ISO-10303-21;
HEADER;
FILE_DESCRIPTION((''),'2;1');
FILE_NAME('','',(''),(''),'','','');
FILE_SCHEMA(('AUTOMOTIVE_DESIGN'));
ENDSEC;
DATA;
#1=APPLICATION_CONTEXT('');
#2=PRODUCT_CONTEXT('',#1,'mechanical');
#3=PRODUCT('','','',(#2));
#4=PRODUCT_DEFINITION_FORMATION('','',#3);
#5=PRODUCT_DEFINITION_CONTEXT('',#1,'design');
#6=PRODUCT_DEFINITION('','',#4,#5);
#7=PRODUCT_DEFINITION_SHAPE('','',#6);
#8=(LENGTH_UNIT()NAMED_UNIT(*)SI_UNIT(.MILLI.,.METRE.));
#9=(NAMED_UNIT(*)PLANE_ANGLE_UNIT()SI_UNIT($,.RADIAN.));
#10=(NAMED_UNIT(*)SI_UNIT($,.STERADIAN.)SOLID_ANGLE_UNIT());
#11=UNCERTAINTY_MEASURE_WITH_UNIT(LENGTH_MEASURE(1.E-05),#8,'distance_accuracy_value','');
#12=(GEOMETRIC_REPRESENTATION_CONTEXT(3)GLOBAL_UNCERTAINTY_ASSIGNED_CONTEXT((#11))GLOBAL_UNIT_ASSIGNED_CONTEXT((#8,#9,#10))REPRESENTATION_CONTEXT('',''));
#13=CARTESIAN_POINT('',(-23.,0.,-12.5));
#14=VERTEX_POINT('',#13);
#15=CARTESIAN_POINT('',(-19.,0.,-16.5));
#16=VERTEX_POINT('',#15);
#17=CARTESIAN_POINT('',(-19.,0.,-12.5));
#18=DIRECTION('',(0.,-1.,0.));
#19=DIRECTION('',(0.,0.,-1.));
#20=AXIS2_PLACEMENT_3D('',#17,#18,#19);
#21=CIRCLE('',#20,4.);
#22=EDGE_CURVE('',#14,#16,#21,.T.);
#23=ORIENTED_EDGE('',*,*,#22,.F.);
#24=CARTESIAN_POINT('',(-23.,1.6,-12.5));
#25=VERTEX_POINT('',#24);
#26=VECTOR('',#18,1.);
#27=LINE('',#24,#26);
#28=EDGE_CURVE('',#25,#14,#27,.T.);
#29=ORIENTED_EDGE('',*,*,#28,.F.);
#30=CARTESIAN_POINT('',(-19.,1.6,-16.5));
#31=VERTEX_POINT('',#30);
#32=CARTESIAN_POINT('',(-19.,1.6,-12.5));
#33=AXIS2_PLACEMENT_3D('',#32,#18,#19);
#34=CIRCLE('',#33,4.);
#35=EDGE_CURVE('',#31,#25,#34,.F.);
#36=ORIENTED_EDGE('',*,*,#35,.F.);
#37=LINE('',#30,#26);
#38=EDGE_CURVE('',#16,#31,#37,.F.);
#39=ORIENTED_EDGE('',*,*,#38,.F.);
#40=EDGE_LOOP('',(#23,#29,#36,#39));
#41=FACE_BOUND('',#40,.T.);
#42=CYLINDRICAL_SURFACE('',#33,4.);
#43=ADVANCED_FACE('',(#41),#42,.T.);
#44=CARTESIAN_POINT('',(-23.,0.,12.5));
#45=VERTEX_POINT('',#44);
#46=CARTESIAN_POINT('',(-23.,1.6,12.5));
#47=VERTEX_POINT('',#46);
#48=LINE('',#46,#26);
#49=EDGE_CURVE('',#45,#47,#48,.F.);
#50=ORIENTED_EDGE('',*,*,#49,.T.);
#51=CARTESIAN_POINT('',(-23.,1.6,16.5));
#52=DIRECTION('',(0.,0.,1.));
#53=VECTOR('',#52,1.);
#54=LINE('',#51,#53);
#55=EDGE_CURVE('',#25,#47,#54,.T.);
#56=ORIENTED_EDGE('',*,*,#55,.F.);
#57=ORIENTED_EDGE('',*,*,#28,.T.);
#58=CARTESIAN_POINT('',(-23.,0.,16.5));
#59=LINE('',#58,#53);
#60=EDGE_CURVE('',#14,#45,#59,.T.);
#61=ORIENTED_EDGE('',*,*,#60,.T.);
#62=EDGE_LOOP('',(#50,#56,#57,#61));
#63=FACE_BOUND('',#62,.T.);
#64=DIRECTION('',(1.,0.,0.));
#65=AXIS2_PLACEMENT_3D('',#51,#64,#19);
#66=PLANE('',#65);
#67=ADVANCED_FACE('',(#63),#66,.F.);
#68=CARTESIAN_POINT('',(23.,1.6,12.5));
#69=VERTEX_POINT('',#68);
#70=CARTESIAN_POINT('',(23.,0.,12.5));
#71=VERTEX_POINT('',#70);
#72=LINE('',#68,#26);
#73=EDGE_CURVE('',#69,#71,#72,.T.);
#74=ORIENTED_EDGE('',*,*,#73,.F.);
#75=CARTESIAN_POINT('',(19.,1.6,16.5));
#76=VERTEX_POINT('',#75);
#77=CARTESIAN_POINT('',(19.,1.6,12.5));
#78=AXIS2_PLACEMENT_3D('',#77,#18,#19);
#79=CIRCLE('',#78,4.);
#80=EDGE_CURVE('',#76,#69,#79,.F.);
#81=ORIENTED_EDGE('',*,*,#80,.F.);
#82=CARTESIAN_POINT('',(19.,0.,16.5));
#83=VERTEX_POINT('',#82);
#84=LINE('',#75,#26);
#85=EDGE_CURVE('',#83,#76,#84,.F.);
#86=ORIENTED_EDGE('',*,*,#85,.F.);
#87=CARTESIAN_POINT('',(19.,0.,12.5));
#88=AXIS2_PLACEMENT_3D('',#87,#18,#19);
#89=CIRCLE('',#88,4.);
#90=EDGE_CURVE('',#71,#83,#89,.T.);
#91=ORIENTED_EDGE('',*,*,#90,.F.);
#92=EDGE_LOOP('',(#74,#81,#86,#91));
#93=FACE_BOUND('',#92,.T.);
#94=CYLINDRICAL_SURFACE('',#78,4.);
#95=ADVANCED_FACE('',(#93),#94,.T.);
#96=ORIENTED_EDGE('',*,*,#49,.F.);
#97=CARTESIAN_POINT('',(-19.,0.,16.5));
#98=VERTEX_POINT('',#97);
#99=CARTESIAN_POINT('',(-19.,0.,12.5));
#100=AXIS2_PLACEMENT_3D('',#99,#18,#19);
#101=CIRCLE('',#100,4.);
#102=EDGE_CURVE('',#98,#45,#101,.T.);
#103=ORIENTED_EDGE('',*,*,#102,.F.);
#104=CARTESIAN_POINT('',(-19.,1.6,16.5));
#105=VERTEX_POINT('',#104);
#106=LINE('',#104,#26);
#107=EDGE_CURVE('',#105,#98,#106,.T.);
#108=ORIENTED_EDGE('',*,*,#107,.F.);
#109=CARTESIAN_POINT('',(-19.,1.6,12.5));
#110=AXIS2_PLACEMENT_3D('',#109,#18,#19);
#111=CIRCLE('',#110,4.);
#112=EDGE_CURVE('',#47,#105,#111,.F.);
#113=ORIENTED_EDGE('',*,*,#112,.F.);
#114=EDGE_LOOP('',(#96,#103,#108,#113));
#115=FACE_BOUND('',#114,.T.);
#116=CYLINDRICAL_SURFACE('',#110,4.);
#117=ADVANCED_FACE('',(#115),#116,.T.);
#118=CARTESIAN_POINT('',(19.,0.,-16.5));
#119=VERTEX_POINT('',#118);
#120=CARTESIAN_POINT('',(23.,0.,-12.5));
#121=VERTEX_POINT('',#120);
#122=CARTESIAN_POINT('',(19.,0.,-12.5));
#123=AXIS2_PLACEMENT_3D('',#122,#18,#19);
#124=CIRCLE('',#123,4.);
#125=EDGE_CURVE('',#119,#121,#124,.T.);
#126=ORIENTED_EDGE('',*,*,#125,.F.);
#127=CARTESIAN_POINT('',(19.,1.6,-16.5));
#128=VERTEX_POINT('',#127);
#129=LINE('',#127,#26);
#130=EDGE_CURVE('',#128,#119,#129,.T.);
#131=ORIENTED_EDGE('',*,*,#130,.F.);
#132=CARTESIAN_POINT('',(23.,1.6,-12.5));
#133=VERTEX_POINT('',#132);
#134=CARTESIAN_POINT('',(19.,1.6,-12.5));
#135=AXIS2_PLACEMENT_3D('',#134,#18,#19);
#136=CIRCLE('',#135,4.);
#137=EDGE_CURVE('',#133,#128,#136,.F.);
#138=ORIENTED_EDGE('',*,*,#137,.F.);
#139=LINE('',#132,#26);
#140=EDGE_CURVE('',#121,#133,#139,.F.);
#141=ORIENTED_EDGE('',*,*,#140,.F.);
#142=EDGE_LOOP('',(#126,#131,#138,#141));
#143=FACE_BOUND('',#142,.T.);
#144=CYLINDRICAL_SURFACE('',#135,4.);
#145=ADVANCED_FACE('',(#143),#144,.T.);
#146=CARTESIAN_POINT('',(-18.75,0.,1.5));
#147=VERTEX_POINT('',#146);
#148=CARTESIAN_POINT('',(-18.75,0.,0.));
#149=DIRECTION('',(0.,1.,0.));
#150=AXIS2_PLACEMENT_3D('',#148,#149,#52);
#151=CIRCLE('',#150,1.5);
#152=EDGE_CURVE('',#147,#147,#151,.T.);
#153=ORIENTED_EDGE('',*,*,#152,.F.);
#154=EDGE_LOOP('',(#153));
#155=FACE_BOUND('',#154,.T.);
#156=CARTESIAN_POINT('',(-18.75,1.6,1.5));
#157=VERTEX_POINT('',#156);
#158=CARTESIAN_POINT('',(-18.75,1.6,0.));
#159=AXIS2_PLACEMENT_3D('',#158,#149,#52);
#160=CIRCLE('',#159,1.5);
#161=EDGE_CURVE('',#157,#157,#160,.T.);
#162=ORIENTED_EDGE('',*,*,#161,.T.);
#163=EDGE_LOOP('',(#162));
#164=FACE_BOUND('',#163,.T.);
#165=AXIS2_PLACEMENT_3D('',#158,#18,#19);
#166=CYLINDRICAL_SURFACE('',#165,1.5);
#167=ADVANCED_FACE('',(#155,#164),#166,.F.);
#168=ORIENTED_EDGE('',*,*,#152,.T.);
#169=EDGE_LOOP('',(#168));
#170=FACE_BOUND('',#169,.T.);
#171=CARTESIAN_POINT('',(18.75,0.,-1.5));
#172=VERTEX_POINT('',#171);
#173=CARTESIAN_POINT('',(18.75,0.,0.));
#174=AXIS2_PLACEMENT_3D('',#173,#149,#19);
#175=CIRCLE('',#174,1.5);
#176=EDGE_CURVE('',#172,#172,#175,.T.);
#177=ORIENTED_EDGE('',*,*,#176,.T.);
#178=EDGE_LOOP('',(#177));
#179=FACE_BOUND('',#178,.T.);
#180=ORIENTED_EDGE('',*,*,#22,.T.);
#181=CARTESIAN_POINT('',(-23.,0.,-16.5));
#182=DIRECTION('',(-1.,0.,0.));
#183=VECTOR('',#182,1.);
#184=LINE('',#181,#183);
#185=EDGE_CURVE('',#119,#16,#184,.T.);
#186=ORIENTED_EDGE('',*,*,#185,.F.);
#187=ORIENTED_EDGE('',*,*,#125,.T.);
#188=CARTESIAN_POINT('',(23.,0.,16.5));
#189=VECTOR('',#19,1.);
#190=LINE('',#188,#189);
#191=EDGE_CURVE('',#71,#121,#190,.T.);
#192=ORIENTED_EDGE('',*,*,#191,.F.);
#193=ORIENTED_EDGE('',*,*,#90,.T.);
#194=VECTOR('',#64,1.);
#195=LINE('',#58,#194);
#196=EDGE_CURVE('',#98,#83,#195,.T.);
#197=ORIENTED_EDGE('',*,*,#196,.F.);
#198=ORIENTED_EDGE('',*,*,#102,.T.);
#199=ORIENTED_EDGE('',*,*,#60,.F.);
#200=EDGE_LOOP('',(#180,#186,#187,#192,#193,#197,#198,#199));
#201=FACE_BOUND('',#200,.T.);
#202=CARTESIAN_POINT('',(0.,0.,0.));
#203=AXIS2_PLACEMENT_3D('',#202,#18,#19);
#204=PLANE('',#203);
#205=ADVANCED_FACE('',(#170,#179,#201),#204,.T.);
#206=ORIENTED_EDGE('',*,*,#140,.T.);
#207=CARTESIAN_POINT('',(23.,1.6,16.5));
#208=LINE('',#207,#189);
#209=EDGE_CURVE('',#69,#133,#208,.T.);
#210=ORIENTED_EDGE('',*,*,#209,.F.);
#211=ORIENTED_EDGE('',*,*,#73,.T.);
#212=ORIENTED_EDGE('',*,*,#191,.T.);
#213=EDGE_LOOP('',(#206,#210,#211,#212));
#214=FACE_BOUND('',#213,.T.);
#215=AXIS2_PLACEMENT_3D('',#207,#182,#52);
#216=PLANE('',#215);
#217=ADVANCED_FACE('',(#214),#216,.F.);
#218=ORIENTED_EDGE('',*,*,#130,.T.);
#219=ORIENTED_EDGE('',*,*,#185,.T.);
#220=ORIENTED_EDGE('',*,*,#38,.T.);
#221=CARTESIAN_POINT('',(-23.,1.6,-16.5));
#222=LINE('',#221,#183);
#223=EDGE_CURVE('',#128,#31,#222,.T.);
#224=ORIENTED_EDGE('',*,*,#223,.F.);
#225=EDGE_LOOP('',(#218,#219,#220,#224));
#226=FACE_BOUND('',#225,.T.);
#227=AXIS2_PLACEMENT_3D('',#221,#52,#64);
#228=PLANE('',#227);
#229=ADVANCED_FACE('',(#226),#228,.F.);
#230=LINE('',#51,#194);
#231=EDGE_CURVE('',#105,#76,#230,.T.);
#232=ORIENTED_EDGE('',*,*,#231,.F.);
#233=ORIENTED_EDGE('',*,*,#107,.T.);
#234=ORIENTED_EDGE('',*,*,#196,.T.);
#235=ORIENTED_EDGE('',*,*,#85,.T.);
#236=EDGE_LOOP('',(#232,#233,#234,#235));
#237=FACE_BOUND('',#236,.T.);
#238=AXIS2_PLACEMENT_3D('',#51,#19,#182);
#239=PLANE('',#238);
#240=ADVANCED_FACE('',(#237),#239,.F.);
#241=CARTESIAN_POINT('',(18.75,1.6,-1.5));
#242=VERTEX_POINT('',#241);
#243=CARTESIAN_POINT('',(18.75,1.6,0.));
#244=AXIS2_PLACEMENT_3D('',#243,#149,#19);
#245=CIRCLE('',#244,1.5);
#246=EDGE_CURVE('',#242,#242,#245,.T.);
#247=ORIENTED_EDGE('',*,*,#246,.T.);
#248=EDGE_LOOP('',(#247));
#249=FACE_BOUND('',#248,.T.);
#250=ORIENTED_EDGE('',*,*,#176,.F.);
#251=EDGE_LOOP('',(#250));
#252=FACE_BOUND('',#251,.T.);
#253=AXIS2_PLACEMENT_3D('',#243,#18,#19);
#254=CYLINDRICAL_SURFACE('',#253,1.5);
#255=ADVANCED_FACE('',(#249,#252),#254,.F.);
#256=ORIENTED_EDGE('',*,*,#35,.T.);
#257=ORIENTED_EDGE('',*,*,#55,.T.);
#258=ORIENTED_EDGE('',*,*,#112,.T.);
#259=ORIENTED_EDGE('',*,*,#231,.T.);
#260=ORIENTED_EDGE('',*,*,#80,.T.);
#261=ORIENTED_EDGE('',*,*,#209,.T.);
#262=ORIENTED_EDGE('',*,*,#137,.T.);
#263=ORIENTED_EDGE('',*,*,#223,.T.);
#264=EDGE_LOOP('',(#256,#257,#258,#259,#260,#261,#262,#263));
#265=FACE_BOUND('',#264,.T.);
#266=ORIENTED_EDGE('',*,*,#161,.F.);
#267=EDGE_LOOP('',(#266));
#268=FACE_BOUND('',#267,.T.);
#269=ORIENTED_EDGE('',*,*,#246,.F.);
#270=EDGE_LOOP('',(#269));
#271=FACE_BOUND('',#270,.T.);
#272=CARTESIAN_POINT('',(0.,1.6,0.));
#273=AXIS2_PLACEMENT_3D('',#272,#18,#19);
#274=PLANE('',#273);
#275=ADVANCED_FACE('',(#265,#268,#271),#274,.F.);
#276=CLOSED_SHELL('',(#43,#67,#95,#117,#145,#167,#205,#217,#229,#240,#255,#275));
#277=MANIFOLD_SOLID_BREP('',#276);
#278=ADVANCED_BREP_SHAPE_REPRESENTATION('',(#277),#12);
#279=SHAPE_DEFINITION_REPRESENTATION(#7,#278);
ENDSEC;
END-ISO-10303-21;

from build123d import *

# Parameters (mm, degrees)
SKETCH1_W           = 46
SKETCH1_H           = 33
SKETCH1_R           = 1.5
BOSS_EXTRUDE1_DEPTH = 1.6
FILLET1_R           = 4


with BuildPart() as part:
    # Sketch1 → Boss-Extrude1 (new body)
    with BuildSketch(Plane(origin=(0, 0, 0), x_dir=(1, 0, 0), z_dir=(0, 1, 0))):
        Rectangle(SKETCH1_W, SKETCH1_H)
        with Locations(Location((-18.75, 0, 0), (0, 0, 270))):
            Circle(SKETCH1_R, mode=Mode.SUBTRACT)
        with Locations(Location((18.75, 0, 0), (0, 0, 90))):
            Circle(SKETCH1_R, mode=Mode.SUBTRACT)
    extrude(amount=BOSS_EXTRUDE1_DEPTH)

    # Fillet1
    fillet1_edges = [part.edges().sort_by_distance(p)[0] for p in [
        (23, 0.8, 16.5),
        (-23, 0.8, 16.5),
        (-23, 0.8, -16.5),
        (23, 0.8, -16.5),
    ]]
    fillet(fillet1_edges, radius=FILLET1_R)


solid = part.part
